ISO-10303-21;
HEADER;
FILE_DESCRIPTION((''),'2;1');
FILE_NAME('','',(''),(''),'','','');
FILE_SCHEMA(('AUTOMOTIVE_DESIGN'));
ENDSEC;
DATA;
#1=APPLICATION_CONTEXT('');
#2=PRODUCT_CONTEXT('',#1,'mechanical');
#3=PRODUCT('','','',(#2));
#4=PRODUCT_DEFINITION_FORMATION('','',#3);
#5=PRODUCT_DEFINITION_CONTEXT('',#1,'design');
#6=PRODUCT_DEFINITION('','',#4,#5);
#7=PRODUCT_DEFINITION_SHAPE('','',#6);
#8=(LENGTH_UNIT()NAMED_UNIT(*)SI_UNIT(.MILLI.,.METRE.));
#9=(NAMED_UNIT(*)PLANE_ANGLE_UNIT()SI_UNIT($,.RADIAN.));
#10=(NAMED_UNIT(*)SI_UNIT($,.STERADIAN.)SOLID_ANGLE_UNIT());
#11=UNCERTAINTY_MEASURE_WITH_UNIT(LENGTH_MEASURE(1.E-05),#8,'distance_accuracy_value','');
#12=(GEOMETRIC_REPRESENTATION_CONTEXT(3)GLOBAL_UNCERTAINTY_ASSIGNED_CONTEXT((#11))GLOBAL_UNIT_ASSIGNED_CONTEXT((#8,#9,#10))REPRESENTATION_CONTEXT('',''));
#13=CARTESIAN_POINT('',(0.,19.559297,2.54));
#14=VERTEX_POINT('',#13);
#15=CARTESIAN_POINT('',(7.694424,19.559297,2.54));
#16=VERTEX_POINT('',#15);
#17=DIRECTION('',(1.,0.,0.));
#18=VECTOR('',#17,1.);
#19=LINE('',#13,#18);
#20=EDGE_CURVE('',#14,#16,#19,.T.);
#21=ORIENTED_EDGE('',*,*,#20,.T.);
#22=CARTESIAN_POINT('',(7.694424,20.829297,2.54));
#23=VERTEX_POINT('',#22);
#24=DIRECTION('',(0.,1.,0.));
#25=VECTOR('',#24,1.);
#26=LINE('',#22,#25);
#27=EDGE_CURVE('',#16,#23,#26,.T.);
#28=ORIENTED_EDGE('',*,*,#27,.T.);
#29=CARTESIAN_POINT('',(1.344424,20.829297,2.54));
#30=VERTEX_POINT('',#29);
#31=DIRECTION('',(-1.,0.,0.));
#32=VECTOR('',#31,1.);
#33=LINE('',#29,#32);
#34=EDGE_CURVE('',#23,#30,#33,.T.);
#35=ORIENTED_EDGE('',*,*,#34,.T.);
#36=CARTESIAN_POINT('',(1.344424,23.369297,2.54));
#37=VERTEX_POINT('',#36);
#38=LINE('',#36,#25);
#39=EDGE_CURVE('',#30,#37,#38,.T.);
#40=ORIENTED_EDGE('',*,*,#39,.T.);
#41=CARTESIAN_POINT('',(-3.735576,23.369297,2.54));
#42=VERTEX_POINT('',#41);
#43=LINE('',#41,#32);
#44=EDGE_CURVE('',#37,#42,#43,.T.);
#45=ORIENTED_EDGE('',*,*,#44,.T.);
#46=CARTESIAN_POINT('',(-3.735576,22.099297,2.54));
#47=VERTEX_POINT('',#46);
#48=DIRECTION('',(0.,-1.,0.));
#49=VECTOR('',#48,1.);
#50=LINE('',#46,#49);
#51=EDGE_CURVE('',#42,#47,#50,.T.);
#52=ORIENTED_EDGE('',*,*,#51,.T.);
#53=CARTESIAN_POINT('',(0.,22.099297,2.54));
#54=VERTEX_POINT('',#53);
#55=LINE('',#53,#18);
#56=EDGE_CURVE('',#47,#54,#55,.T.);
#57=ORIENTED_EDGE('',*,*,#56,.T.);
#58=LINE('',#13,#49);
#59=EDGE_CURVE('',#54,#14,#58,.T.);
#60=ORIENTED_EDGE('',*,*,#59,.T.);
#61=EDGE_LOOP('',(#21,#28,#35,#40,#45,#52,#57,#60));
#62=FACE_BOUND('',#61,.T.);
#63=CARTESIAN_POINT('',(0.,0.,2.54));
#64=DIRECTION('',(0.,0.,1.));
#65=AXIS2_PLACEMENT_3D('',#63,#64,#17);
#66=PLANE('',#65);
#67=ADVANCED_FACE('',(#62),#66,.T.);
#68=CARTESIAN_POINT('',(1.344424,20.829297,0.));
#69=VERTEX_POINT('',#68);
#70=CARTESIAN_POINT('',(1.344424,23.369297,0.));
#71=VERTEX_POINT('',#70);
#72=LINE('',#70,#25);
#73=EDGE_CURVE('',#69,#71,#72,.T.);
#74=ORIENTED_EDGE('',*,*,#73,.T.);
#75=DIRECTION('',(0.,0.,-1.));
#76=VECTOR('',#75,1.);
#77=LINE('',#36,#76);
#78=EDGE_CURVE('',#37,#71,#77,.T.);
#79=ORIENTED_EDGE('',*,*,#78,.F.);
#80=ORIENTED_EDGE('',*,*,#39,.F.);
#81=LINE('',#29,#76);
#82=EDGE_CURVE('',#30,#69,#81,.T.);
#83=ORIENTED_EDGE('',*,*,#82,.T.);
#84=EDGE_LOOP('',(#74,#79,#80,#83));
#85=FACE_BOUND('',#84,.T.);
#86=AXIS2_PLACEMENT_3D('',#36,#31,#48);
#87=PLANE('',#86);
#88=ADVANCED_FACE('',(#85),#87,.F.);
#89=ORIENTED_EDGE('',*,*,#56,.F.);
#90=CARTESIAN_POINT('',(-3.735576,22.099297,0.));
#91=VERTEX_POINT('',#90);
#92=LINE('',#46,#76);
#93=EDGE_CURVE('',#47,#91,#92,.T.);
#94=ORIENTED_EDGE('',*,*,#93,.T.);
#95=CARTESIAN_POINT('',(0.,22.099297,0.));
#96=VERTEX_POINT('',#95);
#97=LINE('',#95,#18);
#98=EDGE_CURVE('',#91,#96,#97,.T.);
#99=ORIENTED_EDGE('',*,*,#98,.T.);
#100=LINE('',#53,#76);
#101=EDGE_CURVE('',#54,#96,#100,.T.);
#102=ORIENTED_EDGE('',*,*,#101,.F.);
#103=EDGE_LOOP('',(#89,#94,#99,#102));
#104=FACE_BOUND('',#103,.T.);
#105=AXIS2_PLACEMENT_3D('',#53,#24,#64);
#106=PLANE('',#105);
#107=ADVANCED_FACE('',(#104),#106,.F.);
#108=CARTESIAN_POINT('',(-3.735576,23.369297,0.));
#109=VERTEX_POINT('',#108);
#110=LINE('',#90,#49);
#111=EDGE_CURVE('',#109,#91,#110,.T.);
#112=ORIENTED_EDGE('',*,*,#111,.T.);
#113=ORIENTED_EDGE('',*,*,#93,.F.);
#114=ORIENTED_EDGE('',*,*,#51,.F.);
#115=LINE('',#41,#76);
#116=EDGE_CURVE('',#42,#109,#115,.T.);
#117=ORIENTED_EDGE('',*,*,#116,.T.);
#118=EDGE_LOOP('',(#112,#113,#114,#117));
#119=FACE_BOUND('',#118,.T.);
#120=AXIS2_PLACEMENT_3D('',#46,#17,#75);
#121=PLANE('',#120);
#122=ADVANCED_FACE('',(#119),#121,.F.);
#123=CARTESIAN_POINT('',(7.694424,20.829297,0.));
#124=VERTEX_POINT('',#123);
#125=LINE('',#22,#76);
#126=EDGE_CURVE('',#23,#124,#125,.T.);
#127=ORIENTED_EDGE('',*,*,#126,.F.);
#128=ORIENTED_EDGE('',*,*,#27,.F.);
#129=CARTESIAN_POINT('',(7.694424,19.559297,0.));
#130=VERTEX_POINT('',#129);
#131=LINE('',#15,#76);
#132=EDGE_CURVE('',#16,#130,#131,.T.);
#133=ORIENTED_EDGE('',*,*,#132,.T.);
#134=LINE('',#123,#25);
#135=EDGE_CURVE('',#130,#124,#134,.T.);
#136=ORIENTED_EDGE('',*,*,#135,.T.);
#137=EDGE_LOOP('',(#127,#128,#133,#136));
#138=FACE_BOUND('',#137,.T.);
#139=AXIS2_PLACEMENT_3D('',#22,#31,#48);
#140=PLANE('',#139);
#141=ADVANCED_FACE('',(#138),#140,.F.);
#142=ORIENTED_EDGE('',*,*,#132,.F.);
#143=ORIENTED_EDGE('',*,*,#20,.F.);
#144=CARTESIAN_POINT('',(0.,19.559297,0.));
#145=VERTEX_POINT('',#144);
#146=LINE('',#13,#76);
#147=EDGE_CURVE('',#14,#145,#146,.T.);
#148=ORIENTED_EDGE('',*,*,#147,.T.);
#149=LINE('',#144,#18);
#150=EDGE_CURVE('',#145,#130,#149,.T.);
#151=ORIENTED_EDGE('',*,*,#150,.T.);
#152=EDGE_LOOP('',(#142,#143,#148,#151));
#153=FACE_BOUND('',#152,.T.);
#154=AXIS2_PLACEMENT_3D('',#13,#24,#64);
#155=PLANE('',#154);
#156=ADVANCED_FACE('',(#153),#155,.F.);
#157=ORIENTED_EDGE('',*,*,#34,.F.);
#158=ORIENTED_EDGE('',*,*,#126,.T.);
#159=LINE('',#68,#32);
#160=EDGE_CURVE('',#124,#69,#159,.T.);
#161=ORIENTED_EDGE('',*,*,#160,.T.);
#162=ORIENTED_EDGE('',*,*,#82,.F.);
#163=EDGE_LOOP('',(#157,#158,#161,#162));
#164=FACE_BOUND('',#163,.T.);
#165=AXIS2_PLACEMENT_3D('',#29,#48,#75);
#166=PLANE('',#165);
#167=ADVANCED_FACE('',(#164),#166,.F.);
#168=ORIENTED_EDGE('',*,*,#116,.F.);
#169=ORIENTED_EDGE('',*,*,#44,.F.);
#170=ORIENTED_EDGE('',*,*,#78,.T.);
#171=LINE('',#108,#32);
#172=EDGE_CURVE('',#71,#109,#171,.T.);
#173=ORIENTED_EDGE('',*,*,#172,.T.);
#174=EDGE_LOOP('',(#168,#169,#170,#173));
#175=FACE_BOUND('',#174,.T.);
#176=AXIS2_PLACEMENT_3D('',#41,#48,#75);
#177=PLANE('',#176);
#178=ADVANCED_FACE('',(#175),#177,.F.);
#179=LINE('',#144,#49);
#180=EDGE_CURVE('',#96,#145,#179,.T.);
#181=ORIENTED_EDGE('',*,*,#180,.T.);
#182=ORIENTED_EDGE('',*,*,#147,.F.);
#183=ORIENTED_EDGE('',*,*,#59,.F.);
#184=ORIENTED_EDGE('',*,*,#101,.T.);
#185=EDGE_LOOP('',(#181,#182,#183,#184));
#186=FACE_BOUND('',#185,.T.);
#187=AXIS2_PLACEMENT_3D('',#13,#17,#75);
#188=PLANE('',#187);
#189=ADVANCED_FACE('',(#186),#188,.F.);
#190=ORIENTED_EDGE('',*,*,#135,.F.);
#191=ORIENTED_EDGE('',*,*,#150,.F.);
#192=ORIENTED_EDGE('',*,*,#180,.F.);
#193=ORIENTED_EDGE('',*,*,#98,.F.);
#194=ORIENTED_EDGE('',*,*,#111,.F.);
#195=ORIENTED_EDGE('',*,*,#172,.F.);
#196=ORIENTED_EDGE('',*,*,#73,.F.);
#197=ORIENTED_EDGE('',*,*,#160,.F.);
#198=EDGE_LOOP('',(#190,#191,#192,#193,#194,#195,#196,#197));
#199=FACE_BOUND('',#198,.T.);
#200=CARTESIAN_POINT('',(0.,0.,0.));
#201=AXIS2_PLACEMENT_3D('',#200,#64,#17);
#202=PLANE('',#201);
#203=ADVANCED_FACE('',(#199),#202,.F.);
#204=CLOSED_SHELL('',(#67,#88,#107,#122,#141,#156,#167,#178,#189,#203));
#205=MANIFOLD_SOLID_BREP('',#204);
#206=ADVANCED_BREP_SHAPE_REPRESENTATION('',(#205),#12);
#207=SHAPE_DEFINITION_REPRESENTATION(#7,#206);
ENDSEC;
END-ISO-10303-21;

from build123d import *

# Parameters (mm, degrees)
BOSS_EXTRUDE8_DEPTH = 2.54


with BuildPart() as part:
    # Sketch1 → Boss-Extrude8 (new body)
    with BuildSketch(Plane.XY):
        Polygon((0, 19.559297466), (7.694424421, 19.559297466), (7.694424421, 20.829297466), (1.344424421, 20.829297466), (1.344424421, 23.369297466), (-3.735575579, 23.369297466), (-3.735575579, 22.099297466), (0, 22.099297466), align=None)
    extrude(amount=BOSS_EXTRUDE8_DEPTH)


solid = part.part
